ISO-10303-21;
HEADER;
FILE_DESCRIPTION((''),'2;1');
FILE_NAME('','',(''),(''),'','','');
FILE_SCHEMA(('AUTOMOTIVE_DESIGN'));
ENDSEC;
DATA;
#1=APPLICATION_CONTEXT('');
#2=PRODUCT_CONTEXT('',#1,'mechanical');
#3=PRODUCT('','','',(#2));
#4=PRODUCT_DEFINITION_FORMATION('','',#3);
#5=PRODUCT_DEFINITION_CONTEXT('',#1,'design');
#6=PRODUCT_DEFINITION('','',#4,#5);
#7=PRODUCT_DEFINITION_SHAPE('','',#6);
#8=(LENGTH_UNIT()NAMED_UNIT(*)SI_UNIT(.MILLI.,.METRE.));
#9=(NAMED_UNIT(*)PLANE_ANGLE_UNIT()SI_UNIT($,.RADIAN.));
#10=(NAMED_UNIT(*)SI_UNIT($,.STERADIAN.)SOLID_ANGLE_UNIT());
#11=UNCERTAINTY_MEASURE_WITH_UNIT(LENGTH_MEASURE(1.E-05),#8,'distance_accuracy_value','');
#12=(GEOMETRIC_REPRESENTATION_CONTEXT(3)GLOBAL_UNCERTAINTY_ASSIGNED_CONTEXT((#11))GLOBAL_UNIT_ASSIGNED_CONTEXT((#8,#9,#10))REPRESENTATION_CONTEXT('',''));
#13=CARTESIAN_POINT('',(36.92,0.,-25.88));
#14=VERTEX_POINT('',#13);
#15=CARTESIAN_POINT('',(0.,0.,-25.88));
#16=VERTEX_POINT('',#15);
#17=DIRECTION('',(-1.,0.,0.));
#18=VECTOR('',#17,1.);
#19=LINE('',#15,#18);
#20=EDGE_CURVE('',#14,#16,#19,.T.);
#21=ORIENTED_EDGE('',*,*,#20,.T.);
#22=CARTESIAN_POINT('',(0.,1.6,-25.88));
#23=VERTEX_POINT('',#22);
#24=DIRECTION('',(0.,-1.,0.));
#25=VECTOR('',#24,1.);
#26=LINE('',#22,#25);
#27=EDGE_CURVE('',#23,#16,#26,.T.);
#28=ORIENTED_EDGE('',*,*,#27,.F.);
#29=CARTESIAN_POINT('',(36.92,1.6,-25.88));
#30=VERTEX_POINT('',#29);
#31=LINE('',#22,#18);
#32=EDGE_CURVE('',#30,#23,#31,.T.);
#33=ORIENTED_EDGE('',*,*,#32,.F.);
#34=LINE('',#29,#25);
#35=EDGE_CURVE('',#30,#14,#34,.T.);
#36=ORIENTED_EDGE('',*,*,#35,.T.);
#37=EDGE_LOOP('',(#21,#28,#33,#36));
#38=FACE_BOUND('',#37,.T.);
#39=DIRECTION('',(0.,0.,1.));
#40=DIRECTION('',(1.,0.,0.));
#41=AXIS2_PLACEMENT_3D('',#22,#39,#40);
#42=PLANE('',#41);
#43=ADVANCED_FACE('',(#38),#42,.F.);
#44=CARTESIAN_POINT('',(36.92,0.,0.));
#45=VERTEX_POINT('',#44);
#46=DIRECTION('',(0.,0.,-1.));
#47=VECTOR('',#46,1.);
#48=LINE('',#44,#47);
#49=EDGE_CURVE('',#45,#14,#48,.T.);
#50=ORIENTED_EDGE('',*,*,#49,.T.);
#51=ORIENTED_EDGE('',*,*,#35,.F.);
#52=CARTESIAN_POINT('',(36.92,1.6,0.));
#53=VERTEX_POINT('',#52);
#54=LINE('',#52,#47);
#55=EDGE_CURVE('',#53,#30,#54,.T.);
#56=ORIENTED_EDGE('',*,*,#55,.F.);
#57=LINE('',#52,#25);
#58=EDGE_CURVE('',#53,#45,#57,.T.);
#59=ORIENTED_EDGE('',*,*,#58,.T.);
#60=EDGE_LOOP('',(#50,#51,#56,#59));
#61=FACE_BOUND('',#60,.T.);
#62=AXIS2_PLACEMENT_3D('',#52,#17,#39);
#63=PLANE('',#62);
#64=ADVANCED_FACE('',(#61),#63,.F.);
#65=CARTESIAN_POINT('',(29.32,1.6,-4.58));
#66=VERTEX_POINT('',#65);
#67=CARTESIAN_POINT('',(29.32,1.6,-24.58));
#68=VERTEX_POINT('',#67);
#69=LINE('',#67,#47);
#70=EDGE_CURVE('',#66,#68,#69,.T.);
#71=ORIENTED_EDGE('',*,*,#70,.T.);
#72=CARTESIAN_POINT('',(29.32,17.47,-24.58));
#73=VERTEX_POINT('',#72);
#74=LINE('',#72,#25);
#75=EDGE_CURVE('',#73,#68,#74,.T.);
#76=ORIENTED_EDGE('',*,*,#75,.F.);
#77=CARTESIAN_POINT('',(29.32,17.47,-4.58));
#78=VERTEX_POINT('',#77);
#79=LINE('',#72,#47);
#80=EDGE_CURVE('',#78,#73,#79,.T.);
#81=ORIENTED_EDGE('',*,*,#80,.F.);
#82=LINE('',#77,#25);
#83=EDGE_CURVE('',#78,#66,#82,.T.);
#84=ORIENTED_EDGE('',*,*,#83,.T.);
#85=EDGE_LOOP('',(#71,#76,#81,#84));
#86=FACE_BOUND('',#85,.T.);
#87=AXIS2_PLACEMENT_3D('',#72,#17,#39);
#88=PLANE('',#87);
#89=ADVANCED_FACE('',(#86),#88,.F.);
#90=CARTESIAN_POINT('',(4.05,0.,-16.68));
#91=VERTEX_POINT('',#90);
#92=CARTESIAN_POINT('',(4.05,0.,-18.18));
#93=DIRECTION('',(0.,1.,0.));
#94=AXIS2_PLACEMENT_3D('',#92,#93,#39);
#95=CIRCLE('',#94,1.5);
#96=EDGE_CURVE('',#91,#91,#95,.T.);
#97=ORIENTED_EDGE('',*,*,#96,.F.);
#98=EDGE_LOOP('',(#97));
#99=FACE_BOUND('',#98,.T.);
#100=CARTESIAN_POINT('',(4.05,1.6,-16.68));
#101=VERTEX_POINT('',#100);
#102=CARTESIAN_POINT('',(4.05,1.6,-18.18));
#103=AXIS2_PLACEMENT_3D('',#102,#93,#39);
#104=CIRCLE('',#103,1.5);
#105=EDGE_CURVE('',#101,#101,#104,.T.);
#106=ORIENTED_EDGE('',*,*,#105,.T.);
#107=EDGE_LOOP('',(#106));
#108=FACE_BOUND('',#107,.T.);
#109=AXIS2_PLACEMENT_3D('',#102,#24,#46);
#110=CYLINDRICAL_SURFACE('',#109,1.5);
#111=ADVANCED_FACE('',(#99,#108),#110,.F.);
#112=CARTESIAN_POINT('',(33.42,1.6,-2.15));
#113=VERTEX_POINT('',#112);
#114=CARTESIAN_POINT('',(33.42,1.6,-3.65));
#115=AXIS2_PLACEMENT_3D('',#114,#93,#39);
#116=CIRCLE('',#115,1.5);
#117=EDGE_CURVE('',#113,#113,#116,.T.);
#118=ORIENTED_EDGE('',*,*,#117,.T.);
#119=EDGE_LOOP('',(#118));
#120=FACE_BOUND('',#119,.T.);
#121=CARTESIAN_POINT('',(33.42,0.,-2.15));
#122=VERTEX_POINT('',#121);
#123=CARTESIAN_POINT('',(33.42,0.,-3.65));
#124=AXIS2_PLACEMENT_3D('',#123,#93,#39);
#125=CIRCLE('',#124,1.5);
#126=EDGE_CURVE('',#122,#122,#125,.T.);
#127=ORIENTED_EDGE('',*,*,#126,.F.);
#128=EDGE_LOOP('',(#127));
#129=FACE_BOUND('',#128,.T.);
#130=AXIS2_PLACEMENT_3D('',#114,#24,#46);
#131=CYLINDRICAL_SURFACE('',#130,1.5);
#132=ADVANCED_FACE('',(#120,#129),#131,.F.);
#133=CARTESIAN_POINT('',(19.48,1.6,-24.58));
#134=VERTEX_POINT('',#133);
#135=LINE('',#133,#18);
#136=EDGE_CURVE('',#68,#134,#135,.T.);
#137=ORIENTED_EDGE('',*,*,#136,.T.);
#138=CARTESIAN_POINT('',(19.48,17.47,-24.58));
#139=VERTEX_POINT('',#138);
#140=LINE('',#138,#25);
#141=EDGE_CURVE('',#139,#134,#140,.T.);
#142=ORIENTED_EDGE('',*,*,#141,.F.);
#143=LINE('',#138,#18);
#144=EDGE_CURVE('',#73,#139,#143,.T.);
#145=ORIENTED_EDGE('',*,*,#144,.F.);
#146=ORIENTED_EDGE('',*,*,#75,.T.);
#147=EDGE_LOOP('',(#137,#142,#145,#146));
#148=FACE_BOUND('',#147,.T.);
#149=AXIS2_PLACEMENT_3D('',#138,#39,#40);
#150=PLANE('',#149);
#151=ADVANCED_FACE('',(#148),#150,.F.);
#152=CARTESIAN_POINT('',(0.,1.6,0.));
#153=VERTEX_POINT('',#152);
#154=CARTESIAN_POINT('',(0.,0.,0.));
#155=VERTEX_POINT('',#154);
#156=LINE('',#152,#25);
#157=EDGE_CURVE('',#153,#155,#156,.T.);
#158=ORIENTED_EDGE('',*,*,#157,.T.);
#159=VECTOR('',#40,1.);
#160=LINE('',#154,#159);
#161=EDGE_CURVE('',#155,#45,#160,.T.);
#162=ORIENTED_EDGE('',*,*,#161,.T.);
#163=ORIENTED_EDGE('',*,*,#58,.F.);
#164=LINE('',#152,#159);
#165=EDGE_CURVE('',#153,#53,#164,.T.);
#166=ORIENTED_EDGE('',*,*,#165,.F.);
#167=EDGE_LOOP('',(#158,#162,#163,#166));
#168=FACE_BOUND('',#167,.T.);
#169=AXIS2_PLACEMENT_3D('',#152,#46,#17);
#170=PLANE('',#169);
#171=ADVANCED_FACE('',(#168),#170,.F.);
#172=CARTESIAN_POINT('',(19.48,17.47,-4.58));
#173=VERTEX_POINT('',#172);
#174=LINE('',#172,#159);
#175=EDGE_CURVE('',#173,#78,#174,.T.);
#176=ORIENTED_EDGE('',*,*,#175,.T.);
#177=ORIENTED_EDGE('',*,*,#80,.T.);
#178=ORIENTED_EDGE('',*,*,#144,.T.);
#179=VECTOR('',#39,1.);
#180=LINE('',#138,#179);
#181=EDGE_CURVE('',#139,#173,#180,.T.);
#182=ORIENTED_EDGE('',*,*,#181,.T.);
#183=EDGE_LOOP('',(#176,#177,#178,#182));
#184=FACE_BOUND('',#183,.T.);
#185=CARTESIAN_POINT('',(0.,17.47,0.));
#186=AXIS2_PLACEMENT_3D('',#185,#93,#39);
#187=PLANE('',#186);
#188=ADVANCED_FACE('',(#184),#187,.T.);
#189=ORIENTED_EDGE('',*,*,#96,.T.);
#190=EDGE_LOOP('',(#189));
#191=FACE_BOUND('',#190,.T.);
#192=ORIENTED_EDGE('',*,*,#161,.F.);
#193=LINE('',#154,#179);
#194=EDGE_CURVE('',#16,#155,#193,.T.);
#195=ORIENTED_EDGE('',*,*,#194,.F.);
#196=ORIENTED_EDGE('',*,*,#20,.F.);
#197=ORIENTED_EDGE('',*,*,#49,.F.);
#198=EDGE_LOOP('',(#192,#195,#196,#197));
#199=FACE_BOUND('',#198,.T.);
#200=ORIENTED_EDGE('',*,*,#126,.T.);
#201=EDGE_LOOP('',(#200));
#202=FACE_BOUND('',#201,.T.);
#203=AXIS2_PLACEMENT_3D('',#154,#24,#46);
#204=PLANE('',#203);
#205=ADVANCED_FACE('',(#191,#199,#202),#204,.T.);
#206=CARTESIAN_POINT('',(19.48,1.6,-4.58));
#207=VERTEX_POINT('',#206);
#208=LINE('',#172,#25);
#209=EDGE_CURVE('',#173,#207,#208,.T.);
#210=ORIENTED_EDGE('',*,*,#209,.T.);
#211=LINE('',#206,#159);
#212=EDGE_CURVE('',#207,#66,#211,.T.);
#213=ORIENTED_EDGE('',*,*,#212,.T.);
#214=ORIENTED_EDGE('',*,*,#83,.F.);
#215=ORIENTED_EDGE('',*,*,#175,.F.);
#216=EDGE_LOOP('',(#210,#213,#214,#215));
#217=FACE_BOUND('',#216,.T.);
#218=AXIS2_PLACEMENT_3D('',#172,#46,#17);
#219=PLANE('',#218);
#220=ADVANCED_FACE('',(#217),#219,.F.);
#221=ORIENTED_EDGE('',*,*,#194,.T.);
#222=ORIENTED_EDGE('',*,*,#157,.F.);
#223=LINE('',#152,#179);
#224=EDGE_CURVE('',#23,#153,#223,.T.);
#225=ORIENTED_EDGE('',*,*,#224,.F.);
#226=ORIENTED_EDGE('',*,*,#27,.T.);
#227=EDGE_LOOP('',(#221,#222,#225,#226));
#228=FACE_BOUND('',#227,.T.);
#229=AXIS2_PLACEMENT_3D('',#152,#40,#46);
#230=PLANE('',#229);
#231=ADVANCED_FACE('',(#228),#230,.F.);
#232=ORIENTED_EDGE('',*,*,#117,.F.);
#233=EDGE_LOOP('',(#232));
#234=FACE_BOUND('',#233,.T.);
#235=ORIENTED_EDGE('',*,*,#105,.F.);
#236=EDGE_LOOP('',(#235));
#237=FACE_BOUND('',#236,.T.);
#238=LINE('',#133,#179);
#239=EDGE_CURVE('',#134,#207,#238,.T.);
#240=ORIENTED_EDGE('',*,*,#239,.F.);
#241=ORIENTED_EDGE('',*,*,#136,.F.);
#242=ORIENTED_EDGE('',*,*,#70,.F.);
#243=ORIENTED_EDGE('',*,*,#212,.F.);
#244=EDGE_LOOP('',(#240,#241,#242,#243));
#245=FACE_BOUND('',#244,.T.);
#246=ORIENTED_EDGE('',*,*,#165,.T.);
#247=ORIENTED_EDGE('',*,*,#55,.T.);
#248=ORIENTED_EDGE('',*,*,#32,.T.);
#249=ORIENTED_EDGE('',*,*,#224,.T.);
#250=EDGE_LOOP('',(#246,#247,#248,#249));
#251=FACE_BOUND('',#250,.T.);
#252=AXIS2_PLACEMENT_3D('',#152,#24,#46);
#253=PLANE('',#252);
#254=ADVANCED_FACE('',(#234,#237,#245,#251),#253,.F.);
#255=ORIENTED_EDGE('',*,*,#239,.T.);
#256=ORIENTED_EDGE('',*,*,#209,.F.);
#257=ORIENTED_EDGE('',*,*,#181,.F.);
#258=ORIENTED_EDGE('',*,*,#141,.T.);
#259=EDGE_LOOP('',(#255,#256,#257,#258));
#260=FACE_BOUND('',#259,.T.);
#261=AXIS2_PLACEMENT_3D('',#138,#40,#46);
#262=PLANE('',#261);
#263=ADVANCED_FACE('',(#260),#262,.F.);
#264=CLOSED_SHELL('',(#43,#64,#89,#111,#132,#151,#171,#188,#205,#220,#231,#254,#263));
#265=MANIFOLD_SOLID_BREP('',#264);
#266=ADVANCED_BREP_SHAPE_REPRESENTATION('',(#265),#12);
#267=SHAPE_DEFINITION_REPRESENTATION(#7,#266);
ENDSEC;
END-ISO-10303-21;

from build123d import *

# Parameters (mm, degrees)
SKETCH1_W           = 36.92
SKETCH1_H           = 25.88
SKETCH1_R           = 1.5
BOSS_EXTRUDE1_DEPTH = 1.6
SKETCH2_W           = 9.84
SKETCH2_H           = 20
BOSS_EXTRUDE2_DEPTH = 15.87


with BuildPart() as part:
    # Sketch1 → Boss-Extrude1 (new body)
    with BuildSketch(Plane(origin=(0, 0, 0), x_dir=(1, 0, 0), z_dir=(0, 1, 0))):
        with Locations((18.46, 12.94)):
            Rectangle(SKETCH1_W, SKETCH1_H)
        with Locations(Location((33.42, 3.65, 0), (0, 0, 270))):
            Circle(SKETCH1_R, mode=Mode.SUBTRACT)
        with Locations(Location((4.05, 18.18, 0), (0, 0, 270))):
            Circle(SKETCH1_R, mode=Mode.SUBTRACT)
    extrude(amount=BOSS_EXTRUDE1_DEPTH)

    # Sketch2 → Boss-Extrude2 (add)
    with BuildSketch(Plane(origin=(0, 1.6, 0), x_dir=(1, 0, 0), z_dir=(0, 1, 0))):
        with Locations((24.4, 14.58)):
            Rectangle(SKETCH2_W, SKETCH2_H)
    extrude(amount=BOSS_EXTRUDE2_DEPTH)


solid = part.part
